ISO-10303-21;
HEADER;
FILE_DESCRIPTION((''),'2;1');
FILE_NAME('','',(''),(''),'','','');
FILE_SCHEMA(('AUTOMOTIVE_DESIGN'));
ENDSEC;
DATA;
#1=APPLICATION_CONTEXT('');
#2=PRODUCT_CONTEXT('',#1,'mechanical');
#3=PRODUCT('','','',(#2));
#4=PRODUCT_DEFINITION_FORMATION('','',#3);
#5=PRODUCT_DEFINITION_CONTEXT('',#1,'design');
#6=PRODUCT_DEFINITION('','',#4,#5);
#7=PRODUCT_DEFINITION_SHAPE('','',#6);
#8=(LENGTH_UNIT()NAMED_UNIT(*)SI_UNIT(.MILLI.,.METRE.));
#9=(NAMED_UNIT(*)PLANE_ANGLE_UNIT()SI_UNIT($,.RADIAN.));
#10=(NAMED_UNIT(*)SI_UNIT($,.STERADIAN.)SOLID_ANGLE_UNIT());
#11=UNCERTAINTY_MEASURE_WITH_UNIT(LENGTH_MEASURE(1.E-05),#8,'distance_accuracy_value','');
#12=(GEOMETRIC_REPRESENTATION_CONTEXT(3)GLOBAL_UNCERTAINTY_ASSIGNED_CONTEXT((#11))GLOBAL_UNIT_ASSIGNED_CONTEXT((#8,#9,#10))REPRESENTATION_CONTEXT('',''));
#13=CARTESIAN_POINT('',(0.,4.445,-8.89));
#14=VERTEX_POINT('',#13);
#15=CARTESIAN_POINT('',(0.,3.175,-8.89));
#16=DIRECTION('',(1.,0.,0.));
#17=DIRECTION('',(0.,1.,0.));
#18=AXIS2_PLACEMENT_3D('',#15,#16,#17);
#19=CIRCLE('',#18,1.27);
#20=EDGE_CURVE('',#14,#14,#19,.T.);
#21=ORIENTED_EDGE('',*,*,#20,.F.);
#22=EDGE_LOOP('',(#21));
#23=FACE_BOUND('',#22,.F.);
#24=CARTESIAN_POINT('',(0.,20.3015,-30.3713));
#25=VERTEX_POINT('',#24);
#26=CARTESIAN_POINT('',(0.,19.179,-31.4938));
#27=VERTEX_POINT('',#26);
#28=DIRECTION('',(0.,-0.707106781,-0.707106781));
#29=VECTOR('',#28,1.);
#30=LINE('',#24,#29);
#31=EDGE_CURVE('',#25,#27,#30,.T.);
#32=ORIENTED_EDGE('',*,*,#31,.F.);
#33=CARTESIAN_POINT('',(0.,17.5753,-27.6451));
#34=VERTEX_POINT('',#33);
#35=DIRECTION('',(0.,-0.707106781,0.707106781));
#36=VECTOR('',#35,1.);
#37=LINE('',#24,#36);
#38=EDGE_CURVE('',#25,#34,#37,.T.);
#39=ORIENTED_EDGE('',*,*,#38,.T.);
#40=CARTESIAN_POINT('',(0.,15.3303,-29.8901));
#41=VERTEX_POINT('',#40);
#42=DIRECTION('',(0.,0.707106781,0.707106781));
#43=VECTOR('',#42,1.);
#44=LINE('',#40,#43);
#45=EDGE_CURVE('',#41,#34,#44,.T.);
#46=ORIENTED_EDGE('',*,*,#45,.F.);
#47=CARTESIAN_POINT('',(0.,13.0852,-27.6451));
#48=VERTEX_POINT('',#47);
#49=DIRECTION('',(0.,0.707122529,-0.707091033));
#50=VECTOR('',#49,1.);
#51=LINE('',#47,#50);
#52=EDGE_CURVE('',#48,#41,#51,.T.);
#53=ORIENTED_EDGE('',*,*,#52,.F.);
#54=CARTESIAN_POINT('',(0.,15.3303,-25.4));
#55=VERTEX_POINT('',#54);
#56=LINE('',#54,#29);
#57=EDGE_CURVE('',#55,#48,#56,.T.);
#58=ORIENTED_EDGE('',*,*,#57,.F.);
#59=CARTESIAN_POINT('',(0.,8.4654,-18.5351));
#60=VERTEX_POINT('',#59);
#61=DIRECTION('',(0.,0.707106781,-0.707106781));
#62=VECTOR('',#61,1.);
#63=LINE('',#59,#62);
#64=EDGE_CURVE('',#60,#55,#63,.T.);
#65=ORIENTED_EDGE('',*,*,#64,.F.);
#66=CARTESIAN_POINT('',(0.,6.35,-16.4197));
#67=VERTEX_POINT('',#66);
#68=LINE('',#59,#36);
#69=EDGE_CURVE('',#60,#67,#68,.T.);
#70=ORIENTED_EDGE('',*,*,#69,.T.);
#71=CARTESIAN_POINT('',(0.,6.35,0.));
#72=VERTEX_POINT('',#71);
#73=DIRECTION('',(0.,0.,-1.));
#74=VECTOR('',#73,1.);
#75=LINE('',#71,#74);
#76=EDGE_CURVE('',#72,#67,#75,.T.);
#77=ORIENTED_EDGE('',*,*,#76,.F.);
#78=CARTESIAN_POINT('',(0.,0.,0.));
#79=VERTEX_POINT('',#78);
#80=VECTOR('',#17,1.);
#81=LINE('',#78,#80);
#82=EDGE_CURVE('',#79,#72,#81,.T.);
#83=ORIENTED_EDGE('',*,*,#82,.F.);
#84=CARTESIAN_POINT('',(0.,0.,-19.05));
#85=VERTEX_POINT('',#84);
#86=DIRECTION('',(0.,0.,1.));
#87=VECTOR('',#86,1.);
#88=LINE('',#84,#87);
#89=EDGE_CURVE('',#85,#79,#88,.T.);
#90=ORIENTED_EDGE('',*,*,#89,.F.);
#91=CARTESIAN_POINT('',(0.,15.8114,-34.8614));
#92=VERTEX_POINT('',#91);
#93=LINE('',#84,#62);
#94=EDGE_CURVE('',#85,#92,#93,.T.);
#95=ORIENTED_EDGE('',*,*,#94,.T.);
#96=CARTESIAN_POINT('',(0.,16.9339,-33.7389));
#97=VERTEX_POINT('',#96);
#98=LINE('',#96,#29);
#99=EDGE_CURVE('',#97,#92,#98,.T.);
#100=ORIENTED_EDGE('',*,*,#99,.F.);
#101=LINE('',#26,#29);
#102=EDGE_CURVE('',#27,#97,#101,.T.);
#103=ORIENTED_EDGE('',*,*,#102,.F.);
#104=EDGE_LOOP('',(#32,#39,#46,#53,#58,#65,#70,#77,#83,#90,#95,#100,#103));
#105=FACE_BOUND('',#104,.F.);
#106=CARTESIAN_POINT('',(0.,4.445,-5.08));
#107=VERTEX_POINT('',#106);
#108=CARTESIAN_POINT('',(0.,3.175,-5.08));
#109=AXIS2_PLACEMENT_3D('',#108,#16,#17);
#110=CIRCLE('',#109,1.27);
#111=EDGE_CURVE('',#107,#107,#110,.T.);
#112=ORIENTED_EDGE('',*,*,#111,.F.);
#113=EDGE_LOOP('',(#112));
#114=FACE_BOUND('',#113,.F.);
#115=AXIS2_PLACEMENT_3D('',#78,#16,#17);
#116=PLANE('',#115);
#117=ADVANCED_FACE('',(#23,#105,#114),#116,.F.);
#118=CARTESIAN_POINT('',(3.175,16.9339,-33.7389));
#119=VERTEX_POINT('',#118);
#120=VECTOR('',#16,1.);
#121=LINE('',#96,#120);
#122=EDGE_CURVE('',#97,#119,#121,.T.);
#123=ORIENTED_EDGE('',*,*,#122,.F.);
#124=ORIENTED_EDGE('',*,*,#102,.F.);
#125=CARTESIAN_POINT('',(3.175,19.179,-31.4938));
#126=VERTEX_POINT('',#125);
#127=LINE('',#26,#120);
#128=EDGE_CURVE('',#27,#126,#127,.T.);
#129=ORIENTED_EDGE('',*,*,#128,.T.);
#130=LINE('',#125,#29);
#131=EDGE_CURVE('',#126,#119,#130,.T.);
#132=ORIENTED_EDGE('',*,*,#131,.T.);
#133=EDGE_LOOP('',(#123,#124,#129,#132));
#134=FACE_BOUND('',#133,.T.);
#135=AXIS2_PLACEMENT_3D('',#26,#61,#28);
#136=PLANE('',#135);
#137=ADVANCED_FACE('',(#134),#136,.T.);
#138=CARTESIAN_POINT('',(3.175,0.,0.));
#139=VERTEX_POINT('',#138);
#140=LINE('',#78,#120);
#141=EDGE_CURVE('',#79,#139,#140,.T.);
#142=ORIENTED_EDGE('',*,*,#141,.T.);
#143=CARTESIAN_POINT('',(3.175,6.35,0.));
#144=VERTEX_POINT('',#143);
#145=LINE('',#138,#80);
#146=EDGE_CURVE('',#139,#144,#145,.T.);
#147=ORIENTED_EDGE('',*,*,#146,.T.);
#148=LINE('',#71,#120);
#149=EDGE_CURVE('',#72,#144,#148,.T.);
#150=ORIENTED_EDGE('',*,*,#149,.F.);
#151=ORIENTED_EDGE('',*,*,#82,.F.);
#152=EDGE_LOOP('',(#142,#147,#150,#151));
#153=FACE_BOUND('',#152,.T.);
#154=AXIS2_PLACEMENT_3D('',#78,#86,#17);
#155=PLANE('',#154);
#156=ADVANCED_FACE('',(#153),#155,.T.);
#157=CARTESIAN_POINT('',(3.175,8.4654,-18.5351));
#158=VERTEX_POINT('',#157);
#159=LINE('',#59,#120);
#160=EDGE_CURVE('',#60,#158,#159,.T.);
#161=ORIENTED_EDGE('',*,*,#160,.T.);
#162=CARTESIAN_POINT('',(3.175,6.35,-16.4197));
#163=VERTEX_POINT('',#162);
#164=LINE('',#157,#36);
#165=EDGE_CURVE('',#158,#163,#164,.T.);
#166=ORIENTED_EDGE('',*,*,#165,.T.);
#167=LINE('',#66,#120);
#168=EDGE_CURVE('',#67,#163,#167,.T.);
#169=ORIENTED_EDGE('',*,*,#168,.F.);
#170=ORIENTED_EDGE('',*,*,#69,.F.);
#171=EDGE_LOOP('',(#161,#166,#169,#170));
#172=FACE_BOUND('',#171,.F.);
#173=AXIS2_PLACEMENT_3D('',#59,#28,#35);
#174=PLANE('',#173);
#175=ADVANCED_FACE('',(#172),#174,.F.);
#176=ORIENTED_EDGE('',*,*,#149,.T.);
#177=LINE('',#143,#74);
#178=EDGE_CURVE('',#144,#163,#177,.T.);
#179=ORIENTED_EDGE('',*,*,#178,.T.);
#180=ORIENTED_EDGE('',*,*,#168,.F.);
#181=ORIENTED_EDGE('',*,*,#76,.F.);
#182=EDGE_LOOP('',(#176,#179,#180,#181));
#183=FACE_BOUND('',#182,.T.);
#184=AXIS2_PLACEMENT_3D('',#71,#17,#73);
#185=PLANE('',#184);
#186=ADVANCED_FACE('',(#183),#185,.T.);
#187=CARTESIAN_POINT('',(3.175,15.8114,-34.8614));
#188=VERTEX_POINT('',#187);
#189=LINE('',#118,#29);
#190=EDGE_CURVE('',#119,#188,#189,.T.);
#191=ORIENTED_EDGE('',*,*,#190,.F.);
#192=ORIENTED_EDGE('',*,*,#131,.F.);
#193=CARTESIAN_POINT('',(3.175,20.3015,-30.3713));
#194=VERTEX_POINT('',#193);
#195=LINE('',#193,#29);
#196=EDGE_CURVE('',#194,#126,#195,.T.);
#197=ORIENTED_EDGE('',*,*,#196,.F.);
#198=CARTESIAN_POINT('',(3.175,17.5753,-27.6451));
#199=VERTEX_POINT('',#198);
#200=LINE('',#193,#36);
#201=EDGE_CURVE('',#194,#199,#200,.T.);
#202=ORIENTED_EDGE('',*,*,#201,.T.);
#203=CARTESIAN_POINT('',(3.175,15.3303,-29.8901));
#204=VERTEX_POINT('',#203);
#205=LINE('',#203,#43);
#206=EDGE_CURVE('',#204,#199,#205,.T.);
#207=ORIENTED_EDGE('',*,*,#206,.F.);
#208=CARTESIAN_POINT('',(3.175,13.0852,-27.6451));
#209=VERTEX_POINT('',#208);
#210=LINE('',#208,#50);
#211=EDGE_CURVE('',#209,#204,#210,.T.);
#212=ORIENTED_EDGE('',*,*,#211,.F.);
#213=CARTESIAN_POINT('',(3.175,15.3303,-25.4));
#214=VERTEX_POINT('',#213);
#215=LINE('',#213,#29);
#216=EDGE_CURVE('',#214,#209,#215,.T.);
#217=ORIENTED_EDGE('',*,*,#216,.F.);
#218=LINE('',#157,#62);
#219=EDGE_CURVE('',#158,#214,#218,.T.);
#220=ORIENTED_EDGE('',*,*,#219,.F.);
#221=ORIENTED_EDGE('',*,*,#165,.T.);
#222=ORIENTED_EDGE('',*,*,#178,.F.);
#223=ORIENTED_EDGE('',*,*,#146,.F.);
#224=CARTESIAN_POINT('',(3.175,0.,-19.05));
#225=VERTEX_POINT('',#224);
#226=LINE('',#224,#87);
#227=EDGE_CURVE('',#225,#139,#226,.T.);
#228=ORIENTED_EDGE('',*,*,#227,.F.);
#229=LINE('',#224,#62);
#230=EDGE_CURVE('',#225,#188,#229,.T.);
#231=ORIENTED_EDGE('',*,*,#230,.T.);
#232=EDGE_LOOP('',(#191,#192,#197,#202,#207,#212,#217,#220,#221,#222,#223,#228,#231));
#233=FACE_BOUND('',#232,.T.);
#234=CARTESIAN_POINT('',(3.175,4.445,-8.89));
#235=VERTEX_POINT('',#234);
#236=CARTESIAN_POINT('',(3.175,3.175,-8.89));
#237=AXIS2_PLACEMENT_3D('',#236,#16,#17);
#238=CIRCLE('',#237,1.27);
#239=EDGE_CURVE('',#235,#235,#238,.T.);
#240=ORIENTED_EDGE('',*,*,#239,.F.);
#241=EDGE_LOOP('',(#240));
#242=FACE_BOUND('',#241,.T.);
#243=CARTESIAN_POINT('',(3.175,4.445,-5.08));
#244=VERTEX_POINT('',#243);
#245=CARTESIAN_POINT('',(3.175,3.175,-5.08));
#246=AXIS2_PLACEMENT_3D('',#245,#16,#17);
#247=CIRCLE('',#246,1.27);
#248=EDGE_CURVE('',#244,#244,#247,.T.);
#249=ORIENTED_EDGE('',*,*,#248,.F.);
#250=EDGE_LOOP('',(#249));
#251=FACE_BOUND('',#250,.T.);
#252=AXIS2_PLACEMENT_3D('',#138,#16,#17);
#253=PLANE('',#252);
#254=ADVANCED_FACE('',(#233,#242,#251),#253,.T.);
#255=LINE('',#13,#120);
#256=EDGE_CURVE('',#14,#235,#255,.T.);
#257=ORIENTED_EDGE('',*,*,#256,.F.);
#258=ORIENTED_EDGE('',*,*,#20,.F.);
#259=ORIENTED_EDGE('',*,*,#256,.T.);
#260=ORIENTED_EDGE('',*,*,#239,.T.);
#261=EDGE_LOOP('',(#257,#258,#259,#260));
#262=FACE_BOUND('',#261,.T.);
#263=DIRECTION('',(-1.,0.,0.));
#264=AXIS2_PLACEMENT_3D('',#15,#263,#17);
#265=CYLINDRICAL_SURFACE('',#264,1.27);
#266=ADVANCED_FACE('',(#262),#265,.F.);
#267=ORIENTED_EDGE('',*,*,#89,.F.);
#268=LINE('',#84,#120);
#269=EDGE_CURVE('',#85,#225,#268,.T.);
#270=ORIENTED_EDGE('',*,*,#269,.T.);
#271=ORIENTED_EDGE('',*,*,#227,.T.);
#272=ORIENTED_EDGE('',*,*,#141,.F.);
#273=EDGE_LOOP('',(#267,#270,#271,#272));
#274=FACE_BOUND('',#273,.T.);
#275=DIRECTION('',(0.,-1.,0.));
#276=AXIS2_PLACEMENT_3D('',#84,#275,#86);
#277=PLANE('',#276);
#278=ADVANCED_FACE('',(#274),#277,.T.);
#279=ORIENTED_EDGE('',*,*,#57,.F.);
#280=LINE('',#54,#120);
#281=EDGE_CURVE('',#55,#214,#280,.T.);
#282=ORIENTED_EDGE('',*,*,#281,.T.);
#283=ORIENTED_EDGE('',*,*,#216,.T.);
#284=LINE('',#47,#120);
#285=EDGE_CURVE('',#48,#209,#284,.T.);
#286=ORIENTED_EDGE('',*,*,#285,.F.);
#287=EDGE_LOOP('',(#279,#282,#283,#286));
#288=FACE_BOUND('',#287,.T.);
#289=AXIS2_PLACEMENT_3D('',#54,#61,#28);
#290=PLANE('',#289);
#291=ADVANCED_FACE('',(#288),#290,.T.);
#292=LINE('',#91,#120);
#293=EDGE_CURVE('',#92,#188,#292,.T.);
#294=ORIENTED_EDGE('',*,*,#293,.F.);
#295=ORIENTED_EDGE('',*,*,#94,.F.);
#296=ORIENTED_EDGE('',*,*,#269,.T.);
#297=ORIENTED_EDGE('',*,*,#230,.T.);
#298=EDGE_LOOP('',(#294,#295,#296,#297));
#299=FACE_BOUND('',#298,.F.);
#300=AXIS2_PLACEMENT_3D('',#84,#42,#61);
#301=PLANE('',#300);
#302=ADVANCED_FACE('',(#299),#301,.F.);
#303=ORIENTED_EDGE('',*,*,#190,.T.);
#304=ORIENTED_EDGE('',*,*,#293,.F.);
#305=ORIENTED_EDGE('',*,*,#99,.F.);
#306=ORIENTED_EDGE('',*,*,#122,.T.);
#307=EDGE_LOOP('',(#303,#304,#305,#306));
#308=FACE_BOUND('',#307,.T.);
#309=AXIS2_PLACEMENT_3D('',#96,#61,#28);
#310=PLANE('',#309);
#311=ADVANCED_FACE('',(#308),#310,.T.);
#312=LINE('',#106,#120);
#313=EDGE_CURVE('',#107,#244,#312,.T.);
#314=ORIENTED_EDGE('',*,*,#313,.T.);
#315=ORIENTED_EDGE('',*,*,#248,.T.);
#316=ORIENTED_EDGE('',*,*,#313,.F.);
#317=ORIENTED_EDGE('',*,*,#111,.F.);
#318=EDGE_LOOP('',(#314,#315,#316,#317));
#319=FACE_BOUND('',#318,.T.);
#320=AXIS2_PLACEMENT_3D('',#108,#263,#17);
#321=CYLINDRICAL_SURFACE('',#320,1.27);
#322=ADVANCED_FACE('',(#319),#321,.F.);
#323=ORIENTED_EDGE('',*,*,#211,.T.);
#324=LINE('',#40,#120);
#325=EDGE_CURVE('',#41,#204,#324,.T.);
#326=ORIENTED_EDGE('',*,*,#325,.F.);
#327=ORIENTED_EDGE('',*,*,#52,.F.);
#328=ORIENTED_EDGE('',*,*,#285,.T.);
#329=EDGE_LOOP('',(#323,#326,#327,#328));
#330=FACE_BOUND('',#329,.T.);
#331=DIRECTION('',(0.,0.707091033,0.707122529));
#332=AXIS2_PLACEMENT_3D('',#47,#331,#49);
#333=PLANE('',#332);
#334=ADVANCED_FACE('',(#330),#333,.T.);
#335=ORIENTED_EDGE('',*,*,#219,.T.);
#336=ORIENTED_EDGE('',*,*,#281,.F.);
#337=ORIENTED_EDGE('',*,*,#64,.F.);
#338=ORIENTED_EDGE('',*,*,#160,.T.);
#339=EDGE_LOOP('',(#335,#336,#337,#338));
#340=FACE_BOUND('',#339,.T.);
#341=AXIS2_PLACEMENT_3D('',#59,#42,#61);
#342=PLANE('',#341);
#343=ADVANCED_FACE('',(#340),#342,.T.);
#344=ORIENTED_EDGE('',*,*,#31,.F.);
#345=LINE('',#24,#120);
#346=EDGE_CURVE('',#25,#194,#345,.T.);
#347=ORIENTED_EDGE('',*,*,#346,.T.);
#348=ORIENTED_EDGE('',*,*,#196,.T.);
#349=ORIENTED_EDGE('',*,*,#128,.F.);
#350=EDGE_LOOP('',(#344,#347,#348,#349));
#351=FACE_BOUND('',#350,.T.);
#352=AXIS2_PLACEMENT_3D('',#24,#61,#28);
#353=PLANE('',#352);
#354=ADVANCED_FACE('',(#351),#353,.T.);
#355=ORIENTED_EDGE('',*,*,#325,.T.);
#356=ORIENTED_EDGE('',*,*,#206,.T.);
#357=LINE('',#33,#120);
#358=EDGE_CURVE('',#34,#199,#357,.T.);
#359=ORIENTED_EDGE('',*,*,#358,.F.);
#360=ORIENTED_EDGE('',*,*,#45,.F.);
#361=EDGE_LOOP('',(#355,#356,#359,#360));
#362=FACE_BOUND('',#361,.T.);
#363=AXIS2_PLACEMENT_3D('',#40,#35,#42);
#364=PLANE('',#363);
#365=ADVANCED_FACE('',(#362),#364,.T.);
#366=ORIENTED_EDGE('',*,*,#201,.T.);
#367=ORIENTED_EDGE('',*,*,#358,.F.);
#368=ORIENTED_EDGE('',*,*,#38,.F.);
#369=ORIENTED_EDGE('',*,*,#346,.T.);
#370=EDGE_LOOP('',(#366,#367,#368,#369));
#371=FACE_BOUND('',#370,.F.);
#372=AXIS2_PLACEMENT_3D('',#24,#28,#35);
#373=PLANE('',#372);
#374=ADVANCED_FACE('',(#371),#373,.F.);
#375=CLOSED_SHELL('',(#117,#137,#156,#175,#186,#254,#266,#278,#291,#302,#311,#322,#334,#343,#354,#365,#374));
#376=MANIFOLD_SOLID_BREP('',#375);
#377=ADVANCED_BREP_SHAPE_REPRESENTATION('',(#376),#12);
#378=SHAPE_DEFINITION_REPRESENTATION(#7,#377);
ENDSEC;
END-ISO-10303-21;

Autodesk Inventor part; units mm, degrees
ref_plane "YZ Plane" through (0, 0, 0) normal (1, 0, 0) x (0, 1, 0)
ref_plane "XZ Plane" through (0, 0, 0) normal (0, 1, 0) x (-1, 0, 0)
ref_plane "XY Plane" through (0, 0, 0) normal (0, 0, 1) x (1, 0, 0)
sketch "Sketch1" plane through (0, 0, 0) normal (1, 0, 0) x (0, 1, 0)
  line L0 (0, 0) -> (6.35, 0)
  line L1 (6.35, 0) -> (6.35, -16.4197)
  line L2 (0, -19.05) -> (0, 0)
  circle A0 centre (3.175, -5.08) radius 1.27
  circle A1 centre (3.175, -8.89) radius 1.27
  line L3 (0, -19.05) -> (15.8114, -34.8614)
  line L4 (8.4654, -18.5351) -> (6.35, -16.4197)
  line L5 (20.3015, -30.3713) -> (19.179, -31.4938)
  line L6 (16.9339, -33.7389) -> (15.8114, -34.8614)
  line L7 (19.179, -31.4938) -> (16.9339, -33.7389)
  line L8 (15.3303, -25.4) -> (13.0852, -27.6451)
  line L9 (13.0852, -27.6451) -> (15.3303, -29.8901)
  line L10 (15.3303, -29.8901) -> (17.5753, -27.6451)
  line L11 (20.3015, -30.3713) -> (17.5753, -27.6451)
  line L12 (8.4654, -18.5351) -> (15.3303, -25.4)
  dimension "d0" = 2.54
  dimension "d1" = 3.81
  dimension "d2" = 2.54
  dimension "d3" = 5.08
  dimension "d4" = 6.35
  dimension "d5" = 3.175
  dimension "d6" = 135
  dimension "d14" = 3.175
  dimension "d15" = 12.7
extrude "Extrusion1" add sketch "Sketch1" along normal blind 3.175
properties part number "arm"
